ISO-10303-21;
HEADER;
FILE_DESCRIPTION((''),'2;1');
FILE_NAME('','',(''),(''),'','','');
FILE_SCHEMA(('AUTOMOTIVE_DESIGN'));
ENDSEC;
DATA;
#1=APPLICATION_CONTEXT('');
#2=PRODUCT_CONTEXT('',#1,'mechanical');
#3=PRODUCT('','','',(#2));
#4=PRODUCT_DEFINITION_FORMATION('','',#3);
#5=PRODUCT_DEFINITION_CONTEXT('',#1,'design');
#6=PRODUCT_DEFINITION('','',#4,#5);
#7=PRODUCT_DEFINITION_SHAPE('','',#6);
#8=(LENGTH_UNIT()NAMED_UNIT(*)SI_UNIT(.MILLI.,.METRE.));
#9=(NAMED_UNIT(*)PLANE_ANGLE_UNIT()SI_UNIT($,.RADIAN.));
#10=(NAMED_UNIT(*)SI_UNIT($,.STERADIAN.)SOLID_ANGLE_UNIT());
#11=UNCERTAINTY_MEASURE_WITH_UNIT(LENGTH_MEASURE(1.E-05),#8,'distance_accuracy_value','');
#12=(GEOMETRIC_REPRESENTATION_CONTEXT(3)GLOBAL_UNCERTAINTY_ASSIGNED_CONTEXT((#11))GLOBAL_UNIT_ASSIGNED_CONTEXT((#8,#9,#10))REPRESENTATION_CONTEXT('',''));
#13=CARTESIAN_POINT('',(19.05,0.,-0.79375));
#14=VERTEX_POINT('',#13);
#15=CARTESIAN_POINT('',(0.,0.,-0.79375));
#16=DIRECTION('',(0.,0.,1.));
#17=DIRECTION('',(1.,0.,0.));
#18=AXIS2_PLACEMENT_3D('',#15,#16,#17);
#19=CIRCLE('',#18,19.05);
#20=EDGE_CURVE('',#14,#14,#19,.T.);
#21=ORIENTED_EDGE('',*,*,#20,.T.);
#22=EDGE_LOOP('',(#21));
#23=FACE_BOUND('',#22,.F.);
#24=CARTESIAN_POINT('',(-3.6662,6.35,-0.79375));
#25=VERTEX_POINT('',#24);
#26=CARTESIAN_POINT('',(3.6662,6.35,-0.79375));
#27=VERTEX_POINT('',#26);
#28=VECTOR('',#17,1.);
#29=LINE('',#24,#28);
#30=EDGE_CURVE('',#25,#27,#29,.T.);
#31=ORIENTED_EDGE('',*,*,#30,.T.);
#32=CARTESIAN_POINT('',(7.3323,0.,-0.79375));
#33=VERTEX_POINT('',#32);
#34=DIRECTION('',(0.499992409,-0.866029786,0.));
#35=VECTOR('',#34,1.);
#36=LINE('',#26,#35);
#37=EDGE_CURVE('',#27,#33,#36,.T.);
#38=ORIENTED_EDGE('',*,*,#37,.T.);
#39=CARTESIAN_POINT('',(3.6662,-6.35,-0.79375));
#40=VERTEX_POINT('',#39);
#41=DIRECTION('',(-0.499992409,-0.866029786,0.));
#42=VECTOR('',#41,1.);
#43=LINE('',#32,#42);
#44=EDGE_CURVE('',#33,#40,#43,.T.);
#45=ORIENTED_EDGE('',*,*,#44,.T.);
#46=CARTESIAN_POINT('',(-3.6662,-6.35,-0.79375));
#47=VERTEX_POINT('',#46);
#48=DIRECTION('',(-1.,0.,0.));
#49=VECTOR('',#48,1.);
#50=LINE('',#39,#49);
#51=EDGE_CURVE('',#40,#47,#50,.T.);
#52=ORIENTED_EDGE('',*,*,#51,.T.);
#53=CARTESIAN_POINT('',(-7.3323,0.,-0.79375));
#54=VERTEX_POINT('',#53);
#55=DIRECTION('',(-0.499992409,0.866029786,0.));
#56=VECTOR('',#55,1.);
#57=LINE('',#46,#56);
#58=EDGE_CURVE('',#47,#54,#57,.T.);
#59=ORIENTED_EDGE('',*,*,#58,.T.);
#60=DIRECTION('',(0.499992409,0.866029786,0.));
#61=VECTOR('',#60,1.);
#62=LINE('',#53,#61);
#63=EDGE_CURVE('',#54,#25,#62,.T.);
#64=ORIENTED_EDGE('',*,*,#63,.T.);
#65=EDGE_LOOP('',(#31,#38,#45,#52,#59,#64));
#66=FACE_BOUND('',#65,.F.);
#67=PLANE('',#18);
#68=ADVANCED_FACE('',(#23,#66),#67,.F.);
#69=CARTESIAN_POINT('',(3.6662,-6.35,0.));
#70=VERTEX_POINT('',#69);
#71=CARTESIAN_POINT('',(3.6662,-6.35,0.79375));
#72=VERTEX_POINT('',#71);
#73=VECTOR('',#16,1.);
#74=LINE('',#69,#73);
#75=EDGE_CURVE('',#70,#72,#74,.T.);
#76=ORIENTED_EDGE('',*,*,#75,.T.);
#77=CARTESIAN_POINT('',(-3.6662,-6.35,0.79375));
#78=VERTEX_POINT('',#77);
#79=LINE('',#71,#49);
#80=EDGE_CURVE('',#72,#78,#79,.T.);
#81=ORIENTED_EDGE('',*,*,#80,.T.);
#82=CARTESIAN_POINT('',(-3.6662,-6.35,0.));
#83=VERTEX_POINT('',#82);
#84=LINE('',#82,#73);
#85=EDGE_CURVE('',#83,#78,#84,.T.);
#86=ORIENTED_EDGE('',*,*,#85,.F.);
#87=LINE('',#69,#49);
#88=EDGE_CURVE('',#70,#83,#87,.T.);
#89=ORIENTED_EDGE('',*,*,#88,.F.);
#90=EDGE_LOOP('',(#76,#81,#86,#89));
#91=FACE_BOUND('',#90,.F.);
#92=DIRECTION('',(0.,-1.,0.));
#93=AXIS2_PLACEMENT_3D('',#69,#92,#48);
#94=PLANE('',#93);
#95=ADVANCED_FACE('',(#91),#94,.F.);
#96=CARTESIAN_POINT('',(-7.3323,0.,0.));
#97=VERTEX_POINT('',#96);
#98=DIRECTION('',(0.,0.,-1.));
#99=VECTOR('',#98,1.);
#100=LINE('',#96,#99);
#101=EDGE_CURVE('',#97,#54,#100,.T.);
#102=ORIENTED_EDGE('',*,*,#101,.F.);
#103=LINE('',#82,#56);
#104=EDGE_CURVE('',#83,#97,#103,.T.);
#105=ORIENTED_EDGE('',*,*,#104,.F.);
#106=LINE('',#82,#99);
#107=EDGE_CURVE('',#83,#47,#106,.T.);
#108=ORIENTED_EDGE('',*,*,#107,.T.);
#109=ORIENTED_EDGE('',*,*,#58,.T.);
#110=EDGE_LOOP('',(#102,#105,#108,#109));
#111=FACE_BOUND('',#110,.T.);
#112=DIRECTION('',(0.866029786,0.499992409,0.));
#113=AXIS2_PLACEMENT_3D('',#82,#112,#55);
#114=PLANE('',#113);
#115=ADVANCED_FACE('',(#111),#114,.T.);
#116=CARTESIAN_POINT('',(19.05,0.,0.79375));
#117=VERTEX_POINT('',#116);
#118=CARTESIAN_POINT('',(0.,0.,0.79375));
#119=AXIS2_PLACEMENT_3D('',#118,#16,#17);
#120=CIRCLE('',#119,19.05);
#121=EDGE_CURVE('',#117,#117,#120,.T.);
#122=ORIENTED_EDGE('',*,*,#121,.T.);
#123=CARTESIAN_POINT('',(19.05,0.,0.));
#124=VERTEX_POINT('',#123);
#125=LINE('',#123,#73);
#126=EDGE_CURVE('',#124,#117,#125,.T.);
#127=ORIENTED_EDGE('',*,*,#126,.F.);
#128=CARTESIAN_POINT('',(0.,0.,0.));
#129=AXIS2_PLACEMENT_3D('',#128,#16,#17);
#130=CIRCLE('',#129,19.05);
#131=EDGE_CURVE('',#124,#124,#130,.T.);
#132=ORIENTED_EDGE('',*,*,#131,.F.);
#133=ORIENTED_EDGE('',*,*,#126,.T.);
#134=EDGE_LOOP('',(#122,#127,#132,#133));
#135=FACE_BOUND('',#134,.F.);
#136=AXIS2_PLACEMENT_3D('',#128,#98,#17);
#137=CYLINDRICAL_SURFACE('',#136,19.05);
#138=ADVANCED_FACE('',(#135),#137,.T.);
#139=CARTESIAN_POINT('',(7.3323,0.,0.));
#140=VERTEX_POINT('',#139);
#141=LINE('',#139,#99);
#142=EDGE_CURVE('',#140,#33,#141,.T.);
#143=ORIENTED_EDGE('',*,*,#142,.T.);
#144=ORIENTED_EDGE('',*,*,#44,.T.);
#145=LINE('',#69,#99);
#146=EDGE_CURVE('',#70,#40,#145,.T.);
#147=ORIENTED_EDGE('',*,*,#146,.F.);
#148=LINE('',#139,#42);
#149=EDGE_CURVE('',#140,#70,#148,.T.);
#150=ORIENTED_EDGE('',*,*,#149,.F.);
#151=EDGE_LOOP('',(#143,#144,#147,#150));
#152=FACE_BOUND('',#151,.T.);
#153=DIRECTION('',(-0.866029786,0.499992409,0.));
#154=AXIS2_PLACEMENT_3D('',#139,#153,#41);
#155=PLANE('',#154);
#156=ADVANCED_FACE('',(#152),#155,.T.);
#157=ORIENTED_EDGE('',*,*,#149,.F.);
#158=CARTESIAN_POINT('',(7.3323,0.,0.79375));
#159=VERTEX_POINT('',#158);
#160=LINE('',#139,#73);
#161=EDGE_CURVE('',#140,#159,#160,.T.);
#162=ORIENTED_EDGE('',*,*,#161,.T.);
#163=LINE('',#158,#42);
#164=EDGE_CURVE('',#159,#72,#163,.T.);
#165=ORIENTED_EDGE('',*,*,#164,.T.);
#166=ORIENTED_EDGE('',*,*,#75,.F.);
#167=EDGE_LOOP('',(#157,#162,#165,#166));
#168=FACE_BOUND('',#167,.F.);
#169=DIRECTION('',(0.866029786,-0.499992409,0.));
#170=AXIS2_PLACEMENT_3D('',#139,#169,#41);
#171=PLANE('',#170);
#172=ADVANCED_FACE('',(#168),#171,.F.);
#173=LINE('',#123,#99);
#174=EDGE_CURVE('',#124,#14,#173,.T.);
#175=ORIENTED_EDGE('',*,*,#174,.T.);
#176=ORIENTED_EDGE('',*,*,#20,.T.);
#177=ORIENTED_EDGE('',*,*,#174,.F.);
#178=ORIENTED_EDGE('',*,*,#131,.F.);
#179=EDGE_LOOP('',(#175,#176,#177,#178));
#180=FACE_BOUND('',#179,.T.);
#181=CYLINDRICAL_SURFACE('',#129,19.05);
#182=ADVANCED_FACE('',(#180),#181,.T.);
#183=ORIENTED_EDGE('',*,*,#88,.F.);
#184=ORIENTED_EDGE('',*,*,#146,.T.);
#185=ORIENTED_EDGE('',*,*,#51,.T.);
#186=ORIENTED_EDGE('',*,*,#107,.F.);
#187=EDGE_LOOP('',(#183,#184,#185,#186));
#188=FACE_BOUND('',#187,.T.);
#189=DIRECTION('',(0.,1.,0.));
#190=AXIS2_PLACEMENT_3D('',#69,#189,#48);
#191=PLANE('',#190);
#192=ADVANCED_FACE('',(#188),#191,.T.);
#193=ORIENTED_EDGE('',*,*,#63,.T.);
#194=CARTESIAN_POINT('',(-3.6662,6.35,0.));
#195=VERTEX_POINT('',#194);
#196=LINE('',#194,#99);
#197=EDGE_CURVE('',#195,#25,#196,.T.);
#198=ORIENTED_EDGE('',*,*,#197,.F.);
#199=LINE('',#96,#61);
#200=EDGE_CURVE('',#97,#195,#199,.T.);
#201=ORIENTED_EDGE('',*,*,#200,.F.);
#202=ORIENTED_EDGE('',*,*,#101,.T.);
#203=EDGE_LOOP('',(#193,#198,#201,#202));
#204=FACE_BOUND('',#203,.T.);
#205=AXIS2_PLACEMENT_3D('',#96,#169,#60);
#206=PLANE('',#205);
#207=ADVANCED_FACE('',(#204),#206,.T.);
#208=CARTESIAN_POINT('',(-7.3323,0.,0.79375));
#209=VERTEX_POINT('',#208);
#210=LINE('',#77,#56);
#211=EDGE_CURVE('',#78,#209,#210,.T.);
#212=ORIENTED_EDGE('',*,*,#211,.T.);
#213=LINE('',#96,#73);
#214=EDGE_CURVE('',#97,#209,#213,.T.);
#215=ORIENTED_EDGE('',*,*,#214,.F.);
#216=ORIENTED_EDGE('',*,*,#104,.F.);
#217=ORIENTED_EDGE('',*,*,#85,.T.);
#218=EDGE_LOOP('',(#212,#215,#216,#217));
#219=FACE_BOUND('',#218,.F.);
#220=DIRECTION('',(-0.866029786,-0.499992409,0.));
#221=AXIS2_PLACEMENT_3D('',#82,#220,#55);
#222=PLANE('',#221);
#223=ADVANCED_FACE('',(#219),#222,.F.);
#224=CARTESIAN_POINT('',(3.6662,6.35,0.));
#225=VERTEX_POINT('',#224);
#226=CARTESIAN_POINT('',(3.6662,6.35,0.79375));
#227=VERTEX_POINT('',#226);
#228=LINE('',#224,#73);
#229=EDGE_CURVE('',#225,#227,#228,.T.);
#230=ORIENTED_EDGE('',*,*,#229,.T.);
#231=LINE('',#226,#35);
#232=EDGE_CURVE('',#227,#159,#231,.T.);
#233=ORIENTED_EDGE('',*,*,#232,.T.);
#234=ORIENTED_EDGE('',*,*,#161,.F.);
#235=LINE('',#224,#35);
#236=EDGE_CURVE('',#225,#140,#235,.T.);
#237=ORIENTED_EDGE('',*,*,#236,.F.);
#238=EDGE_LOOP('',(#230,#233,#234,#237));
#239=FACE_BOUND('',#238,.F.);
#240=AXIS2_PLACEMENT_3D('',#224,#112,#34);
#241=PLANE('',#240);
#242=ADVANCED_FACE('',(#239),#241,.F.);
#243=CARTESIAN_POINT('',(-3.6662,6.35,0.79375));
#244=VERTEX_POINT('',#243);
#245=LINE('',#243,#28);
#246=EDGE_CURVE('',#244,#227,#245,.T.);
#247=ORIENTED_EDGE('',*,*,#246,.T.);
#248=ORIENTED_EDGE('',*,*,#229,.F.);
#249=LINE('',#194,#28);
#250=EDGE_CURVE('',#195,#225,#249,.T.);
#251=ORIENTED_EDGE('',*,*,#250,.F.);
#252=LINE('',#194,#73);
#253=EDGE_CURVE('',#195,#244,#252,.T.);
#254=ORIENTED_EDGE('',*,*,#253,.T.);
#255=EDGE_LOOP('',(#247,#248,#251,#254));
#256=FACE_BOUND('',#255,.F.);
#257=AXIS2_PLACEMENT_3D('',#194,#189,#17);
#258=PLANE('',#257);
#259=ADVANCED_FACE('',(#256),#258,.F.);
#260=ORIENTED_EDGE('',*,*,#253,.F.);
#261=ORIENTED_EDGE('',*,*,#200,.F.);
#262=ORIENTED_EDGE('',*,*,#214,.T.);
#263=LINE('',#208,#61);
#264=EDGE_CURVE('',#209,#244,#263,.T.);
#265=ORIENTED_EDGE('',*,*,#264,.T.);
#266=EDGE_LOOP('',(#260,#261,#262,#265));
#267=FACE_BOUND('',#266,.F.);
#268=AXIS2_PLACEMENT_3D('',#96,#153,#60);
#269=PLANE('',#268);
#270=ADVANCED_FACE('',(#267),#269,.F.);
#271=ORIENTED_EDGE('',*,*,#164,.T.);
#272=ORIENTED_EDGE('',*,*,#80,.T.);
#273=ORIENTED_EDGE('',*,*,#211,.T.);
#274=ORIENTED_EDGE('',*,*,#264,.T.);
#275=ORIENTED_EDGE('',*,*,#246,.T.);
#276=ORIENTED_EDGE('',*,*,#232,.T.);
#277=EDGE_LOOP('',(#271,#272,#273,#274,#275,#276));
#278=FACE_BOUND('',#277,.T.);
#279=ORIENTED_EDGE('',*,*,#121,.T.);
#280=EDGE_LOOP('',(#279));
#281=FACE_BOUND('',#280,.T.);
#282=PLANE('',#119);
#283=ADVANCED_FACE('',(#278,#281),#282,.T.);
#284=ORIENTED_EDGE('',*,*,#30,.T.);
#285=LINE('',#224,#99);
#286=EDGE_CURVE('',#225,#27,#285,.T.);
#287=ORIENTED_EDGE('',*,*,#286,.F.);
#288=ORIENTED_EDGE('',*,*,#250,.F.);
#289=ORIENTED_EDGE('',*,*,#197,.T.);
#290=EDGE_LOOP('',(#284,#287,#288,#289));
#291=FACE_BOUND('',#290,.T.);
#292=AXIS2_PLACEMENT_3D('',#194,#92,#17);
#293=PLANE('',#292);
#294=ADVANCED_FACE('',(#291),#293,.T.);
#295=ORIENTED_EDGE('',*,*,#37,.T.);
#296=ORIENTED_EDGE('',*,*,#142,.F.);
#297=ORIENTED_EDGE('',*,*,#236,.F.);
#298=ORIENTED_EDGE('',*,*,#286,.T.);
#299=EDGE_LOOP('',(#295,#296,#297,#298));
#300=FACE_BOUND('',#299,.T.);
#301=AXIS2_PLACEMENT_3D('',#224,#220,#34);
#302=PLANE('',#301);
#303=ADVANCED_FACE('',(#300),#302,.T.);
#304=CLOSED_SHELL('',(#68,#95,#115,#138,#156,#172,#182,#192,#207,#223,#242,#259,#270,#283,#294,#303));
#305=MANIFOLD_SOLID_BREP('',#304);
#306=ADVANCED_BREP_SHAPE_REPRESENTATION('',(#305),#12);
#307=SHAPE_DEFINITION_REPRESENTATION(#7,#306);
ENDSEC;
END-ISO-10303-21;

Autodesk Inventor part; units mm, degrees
ref_plane "YZ Plane" through (0, 0, 0) normal (1, 0, 0) x (0, 1, 0)
ref_plane "XZ Plane" through (0, 0, 0) normal (0, 1, 0) x (-1, 0, 0)
ref_plane "XY Plane" through (0, 0, 0) normal (0, 0, 1) x (1, 0, 0)
sketch "Sketch1" plane through (0, 0, 0) normal (0, 0, 1) x (1, 0, 0)
  line L0 (3.6662, 6.35) -> (7.3323, 0)
  line L1 (7.3323, 0) -> (3.6662, -6.35)
  line L2 (3.6662, -6.35) -> (-3.6662, -6.35)
  line L3 (-3.6662, -6.35) -> (-7.3323, 0)
  line L4 (-7.3323, 0) -> (-3.6662, 6.35)
  line L5 (-3.6662, 6.35) -> (3.6662, 6.35)
  circle A0 centre (0, 0) radius 19.05
  dimension "d0" = 12.7
  dimension "d1" = 38.1
extrude "Extrusion1" add sketch "Sketch1" along normal mid plane 1.5875
properties part number "SPACER,HEX,INTAKE" material "Nylon 6/6"
